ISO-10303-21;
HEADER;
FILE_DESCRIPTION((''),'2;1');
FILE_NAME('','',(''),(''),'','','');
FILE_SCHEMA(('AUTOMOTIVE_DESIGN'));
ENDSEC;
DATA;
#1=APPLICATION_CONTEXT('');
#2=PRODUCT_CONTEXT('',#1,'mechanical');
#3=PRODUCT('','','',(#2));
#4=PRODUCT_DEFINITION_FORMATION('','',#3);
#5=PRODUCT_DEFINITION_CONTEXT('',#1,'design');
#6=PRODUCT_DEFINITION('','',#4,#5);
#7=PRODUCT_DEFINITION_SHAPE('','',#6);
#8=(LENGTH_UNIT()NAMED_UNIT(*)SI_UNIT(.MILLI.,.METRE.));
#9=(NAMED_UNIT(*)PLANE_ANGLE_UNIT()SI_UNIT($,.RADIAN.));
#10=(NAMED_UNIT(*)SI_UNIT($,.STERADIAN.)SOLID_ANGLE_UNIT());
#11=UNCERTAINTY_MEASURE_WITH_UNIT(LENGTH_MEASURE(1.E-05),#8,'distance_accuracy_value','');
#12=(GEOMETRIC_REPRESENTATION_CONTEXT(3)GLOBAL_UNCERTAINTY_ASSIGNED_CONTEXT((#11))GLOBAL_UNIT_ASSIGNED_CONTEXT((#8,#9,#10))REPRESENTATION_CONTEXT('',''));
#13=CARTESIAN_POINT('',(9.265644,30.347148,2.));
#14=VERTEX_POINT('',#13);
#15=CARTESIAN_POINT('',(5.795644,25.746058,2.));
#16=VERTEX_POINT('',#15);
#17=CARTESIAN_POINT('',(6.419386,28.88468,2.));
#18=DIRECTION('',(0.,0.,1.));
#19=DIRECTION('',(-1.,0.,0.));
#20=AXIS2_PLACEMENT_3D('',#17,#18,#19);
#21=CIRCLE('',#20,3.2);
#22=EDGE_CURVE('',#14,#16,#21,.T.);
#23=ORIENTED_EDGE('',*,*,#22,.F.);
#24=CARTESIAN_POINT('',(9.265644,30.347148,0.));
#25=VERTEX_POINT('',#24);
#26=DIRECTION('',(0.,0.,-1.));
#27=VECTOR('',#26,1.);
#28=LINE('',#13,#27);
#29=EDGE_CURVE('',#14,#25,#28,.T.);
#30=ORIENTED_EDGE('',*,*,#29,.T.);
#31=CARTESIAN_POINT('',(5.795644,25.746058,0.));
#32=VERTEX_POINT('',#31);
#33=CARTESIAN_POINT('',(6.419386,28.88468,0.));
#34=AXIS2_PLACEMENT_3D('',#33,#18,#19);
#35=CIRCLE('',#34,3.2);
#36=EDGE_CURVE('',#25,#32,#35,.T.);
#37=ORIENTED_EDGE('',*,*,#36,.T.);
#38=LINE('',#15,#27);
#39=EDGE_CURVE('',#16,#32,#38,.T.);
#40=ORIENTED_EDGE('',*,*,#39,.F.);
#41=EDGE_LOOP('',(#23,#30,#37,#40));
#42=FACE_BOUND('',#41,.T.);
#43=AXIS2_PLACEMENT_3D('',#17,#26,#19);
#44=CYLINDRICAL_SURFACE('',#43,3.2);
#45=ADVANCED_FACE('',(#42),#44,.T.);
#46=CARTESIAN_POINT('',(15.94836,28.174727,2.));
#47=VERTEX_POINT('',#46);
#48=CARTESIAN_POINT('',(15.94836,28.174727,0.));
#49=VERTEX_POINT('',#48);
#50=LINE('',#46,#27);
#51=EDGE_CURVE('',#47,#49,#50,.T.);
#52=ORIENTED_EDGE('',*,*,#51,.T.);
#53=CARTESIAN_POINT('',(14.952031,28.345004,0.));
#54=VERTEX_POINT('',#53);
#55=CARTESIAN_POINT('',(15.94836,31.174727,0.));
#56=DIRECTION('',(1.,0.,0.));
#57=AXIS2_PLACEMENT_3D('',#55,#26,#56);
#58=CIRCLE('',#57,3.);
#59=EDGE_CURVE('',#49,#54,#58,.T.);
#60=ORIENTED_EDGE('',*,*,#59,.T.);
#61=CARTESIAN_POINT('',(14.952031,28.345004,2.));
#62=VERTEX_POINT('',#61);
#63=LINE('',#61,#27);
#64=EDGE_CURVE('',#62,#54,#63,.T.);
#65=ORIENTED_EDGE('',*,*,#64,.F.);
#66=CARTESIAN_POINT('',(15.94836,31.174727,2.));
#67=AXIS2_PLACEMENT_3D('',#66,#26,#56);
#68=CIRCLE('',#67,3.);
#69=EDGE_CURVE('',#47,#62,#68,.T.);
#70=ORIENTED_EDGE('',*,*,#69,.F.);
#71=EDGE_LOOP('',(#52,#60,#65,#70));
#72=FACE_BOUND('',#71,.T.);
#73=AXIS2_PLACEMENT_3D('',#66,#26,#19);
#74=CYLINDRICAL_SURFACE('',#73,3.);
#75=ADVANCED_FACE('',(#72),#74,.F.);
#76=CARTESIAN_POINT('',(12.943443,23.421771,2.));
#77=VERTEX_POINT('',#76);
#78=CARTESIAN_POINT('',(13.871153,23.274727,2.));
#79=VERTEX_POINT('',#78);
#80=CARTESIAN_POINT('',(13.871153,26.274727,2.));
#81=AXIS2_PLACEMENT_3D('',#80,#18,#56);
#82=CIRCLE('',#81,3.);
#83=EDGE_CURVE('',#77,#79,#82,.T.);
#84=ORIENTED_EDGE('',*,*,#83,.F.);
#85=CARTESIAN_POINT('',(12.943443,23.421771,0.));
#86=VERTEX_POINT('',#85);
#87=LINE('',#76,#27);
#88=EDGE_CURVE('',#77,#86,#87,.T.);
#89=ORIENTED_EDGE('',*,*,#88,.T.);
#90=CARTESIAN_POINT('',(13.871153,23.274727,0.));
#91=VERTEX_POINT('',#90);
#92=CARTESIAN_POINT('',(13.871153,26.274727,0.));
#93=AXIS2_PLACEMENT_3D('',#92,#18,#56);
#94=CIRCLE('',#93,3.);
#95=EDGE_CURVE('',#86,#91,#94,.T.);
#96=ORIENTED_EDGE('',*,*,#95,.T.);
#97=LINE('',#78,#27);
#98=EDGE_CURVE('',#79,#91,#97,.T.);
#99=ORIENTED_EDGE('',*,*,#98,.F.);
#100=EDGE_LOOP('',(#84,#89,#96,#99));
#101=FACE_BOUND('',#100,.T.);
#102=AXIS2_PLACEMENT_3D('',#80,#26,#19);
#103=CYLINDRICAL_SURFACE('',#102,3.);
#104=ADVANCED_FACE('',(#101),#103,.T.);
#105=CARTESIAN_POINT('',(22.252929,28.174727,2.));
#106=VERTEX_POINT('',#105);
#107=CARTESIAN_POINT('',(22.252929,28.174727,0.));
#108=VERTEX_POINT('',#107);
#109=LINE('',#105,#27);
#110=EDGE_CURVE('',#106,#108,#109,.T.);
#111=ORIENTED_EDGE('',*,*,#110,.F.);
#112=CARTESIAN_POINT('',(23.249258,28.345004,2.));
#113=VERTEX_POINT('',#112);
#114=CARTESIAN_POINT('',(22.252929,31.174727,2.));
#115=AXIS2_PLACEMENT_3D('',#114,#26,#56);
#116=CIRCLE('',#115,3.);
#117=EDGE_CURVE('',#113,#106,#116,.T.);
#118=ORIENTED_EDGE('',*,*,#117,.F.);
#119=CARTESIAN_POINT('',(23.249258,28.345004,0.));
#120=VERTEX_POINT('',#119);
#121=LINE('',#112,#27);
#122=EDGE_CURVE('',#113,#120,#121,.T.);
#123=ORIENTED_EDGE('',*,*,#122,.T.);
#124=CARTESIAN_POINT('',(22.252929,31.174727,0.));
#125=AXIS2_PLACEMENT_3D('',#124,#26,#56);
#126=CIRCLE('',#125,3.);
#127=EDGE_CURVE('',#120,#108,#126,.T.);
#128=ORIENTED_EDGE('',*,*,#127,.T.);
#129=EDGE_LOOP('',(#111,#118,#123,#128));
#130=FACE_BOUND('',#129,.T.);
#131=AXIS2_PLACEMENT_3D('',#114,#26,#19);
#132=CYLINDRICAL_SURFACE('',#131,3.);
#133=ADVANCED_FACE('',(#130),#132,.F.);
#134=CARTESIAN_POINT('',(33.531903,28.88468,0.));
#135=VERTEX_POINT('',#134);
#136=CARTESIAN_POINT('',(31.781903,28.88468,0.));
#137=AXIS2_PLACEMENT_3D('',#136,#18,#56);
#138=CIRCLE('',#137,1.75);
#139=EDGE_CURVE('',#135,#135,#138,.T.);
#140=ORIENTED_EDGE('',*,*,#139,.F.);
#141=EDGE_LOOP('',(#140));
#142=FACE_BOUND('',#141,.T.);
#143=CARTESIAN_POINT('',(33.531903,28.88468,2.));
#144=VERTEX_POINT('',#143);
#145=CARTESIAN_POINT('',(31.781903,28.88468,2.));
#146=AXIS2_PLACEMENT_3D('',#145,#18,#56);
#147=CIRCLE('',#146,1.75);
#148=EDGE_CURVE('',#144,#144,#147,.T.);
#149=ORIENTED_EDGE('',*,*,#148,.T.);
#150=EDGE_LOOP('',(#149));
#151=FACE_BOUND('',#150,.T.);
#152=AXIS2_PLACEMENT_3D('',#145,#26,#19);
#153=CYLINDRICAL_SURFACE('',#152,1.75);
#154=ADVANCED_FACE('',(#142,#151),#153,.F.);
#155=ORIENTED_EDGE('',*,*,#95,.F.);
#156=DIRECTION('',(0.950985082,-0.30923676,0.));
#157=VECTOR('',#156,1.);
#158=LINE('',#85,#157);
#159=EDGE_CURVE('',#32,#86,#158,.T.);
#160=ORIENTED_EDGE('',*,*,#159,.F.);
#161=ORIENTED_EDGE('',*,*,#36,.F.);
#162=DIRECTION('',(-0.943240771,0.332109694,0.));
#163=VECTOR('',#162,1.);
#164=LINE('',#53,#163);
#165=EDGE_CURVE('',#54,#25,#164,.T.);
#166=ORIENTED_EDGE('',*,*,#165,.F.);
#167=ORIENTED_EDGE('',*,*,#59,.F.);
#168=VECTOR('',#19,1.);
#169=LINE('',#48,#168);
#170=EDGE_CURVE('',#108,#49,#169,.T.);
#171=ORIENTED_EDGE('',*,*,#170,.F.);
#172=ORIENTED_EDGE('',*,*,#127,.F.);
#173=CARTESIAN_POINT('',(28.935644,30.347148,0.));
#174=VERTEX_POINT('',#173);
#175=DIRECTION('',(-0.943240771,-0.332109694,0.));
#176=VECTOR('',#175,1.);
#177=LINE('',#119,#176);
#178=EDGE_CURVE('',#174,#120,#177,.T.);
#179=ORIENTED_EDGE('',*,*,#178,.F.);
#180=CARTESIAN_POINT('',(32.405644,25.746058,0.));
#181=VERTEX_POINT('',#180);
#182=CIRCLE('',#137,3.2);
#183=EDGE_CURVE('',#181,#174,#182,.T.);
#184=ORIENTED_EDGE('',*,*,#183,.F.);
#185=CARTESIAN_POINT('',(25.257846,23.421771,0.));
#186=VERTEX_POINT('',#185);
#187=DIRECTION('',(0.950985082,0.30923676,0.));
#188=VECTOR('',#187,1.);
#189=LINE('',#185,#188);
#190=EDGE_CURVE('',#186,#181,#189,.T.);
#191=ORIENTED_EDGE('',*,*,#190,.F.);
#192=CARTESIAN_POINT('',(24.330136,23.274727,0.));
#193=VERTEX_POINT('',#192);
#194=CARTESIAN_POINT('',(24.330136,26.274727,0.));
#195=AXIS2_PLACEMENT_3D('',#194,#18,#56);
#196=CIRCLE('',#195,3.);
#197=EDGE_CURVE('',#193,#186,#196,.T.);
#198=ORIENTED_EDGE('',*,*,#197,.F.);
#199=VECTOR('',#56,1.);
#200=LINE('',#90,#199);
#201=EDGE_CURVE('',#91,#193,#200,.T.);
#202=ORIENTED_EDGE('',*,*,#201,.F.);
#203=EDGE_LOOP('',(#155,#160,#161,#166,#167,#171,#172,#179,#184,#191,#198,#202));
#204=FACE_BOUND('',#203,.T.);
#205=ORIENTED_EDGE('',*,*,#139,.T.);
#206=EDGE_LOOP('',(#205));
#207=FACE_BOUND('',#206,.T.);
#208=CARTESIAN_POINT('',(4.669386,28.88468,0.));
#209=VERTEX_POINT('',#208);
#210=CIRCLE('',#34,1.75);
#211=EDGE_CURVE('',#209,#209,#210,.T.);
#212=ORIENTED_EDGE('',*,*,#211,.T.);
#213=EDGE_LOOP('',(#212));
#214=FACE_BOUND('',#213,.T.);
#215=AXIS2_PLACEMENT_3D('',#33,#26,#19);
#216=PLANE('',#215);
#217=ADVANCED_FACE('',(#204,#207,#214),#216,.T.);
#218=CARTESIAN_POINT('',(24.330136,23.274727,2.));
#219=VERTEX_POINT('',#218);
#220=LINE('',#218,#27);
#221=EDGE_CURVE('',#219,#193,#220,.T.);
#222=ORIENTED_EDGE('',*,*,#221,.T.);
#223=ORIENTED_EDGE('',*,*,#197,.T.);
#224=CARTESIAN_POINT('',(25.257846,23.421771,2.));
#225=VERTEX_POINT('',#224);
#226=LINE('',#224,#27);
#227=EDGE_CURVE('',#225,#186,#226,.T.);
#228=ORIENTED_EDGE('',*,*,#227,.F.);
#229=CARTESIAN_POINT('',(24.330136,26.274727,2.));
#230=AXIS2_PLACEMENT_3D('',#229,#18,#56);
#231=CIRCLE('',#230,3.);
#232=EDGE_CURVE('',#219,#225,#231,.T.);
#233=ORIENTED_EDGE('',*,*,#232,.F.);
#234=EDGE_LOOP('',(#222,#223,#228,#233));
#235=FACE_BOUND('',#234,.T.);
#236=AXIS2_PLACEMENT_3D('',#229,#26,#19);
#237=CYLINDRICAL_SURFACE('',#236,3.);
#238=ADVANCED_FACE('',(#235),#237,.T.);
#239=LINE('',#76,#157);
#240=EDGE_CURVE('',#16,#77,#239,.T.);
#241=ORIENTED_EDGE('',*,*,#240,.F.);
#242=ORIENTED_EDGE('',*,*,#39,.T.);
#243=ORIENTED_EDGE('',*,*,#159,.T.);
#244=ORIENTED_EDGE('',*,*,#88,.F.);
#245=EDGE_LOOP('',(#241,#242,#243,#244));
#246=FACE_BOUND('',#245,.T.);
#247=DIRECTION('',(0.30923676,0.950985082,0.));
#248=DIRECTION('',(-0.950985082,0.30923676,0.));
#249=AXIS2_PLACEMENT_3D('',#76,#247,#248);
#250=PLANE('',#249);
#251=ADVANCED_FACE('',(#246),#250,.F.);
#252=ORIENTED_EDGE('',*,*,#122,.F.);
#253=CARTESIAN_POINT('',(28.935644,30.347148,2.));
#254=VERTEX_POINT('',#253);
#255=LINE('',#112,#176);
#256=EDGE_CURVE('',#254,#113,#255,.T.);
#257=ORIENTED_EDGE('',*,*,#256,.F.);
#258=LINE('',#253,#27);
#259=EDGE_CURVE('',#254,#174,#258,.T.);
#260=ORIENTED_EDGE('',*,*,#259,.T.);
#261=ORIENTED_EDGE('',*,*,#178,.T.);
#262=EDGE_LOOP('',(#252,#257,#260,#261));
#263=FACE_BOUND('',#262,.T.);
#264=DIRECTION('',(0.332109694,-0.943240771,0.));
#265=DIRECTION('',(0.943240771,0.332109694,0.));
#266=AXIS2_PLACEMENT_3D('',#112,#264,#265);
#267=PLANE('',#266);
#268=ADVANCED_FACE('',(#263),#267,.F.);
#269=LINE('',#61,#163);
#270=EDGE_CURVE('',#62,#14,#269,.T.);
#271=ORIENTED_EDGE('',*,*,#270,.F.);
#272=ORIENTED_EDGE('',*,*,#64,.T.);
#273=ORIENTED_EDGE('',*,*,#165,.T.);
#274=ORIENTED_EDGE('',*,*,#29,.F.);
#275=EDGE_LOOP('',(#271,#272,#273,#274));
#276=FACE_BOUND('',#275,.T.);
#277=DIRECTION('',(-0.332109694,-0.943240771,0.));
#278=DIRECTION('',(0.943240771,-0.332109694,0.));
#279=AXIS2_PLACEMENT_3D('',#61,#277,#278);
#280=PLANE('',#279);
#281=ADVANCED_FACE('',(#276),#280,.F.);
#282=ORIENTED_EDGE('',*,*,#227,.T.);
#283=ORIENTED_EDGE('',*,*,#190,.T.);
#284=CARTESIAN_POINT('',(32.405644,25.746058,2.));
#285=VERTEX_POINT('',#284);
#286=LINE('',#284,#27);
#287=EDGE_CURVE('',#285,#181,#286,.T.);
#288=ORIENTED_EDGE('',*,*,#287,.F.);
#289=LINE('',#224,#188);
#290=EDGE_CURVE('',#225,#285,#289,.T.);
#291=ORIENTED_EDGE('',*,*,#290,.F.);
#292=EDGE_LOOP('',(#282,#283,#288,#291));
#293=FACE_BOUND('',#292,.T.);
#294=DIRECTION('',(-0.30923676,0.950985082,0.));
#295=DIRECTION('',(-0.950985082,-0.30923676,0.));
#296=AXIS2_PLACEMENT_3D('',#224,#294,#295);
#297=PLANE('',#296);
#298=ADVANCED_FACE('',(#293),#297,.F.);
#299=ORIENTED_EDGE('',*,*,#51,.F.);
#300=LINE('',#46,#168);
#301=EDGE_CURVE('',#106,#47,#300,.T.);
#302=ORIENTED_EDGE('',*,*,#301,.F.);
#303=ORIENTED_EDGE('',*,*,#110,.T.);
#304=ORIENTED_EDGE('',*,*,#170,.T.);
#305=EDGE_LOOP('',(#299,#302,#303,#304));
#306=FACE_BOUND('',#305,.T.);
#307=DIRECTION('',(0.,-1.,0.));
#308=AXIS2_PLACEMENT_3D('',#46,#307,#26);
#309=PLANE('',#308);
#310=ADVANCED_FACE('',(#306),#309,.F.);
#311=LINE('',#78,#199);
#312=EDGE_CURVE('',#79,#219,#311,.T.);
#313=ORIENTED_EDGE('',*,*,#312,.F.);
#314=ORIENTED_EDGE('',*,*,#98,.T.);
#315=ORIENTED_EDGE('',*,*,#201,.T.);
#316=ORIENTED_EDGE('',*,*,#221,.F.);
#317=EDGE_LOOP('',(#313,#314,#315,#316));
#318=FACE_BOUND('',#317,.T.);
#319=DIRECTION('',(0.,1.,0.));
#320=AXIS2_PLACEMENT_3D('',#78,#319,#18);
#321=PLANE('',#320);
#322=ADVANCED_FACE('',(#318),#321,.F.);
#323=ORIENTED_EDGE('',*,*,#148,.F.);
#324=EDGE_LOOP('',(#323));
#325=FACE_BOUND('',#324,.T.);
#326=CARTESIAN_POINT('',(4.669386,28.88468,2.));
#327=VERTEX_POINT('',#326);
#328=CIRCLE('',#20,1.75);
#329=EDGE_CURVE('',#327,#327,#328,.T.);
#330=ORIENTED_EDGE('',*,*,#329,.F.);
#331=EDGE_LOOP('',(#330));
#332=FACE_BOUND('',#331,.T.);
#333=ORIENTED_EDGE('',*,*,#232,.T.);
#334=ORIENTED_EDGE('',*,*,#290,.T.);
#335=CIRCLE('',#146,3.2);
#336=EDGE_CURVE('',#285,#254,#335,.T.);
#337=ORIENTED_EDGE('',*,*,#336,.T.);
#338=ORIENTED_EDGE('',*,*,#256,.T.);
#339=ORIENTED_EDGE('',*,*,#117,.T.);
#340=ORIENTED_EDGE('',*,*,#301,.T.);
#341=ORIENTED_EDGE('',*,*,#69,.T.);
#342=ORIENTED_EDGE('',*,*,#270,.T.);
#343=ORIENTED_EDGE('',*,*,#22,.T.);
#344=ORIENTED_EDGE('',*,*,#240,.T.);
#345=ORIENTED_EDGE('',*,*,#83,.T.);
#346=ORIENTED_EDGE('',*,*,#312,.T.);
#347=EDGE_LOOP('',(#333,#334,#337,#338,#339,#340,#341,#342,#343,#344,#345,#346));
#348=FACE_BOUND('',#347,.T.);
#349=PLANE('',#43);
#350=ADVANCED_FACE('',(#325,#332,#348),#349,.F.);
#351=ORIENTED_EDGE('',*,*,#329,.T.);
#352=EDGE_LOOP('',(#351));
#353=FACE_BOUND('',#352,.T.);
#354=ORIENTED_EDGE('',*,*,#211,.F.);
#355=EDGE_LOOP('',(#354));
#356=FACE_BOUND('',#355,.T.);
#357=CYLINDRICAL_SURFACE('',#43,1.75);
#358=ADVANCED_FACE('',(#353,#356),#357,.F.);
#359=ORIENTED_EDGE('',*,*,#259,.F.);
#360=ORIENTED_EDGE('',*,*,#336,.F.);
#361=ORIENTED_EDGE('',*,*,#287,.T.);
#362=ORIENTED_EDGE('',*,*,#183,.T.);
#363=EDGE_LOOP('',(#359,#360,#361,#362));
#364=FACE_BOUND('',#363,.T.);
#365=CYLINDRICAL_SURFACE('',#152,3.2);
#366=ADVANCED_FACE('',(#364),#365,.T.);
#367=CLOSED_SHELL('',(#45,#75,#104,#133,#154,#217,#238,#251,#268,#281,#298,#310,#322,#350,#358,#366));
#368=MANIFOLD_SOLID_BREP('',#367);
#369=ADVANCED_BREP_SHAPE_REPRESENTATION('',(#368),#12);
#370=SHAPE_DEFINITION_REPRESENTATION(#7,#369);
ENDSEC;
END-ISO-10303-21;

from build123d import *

# Parameters (mm, degrees)
CROQUIS1_R              = 1.75
SALIENTE_EXTRUIR1_DEPTH = 2


with BuildPart() as part:
    # Croquis1 → Saliente-Extruir1 (new body)
    with BuildSketch(Plane.XY):
        with BuildLine():
            Line((13.871153062, 23.274726508), (24.330135763, 23.274726508))
            ThreePointArc((24.330135763, 23.274726508), (24.799781514, 23.311715731), (25.257846044, 23.421771263))
            Line((25.257846044, 23.421771263), (32.405644412, 25.746057998))
            ThreePointArc((32.405644412, 25.746057998), (34.336780797, 30.811489821), (28.935644412, 30.347148308))
            Line((28.935644412, 30.347148308), (23.249258293, 28.345004197))
            ThreePointArc((23.249258293, 28.345004197), (22.758316719, 28.21760232), (22.252929212, 28.174726508))
            Line((22.252929212, 28.174726508), (15.948359613, 28.174726508))
            ThreePointArc((15.948359613, 28.174726508), (15.442972106, 28.21760232), (14.952030531, 28.345004197))
            Line((14.952030531, 28.345004197), (9.265644412, 30.347148308))
            ThreePointArc((9.265644412, 30.347148308), (3.864508027, 30.811489821), (5.795644412, 25.746057998))
            Line((5.795644412, 25.746057998), (12.94344278, 23.421771263))
            ThreePointArc((12.94344278, 23.421771263), (13.401507311, 23.311715731), (13.871153062, 23.274726508))
        make_face()
        with Locations((31.781902577, 28.88467969)):
            Circle(CROQUIS1_R, mode=Mode.SUBTRACT)
        with Locations(Location((6.419386247, 28.88467969, 0), (0, 0, 180))):
            Circle(CROQUIS1_R, mode=Mode.SUBTRACT)
    extrude(amount=SALIENTE_EXTRUIR1_DEPTH)


solid = part.part
